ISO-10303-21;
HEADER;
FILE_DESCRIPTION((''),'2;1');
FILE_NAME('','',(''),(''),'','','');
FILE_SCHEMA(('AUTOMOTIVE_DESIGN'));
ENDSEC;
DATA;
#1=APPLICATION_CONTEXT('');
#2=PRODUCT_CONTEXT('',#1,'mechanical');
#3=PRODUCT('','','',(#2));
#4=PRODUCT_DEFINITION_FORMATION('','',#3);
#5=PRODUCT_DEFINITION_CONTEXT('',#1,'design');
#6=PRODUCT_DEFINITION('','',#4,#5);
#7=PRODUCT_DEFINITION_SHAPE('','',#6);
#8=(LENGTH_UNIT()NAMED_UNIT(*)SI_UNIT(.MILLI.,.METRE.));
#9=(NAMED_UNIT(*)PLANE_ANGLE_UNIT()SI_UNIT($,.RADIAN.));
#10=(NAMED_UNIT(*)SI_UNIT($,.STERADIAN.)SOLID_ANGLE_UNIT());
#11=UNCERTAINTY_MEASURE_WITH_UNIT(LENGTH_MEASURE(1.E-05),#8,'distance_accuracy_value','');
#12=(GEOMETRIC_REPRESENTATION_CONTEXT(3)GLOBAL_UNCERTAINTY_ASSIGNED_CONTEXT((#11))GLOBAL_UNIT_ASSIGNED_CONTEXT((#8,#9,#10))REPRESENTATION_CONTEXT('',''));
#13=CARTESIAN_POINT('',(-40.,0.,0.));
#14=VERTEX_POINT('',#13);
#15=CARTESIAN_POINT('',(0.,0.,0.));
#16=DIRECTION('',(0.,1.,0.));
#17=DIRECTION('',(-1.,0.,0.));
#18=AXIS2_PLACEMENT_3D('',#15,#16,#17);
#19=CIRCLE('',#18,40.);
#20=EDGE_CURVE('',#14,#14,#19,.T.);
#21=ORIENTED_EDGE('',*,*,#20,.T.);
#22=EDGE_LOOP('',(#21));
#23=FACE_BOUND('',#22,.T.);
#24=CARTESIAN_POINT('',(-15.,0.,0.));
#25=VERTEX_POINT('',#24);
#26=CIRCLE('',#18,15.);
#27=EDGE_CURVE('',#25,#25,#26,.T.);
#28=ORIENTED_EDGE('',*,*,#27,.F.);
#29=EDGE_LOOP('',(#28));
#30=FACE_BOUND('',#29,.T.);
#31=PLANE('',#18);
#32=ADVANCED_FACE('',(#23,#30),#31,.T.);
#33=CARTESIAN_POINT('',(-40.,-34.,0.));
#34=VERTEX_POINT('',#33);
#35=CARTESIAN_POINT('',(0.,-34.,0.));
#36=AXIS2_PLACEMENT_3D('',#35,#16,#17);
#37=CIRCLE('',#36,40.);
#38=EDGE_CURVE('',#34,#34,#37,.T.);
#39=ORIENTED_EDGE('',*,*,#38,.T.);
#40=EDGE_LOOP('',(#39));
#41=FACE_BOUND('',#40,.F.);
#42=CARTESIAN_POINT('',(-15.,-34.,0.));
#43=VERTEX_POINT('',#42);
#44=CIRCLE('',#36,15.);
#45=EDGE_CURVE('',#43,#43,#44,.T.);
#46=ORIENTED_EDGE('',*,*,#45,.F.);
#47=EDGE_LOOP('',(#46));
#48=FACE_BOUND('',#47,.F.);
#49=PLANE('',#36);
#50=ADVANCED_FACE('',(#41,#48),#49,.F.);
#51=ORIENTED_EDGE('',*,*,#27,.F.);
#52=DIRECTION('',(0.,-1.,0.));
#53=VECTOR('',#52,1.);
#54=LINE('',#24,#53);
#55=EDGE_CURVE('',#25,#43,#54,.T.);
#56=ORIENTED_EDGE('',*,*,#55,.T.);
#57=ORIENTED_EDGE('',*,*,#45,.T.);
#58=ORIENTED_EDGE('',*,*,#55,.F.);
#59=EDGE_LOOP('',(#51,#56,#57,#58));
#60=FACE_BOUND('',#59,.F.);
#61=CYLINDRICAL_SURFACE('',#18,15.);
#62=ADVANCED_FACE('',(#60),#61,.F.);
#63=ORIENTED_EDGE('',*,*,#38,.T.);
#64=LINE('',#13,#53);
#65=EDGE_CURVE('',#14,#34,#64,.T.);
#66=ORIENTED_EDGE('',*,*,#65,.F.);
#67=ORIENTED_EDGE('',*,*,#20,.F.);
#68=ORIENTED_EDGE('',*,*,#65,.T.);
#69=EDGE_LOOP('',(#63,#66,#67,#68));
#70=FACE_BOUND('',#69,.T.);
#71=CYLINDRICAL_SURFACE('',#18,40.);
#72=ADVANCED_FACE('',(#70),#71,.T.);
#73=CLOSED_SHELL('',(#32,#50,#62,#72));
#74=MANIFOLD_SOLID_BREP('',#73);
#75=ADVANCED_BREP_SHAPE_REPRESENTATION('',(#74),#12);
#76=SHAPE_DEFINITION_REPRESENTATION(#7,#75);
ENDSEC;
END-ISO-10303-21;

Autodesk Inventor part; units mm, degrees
ref_plane "YZ Plane" through (0, 0, 0) normal (1, 0, 0) x (0, 1, 0)
ref_plane "XZ Plane" through (0, 0, 0) normal (0, 1, 0) x (-1, 0, 0)
ref_plane "XY Plane" through (0, 0, 0) normal (0, 0, 1) x (1, 0, 0)
sketch "Schizzo1" plane through (0, 0, 0) normal (0, 1, 0) x (-1, 0, 0)
  circle A0 centre (0, 0) radius 15
  circle A1 centre (0, 0) radius 40
  dimension "d0" = 30
  dimension "d1" = 80
extrude "Estrusione1" add sketch "Schizzo1" against normal blind 34
sketch "Schizzo2" plane through (0, -34, 0) normal (0, -1, 0) x (1, 0, 0)
  point P0 (0, 0)
sketch "Schizzo3" plane through (0, 0, 0) normal (0, 1, 0) x (1, 0, 0)
  circle A0 centre (0, 0) radius 35
  circle A1 centre (0, 0) radius 40 projected
  line L0 (0, -40) -> (0, 0)
  line L1 (0, 0) -> (-39.8478, 3.4862)
  line L2 (0, 0) -> (39.8478, 3.4862)
  point P0 (34.8668, 3.0505)
  point P1 (-34.8668, 3.0505)
  point P2 (0, -35)
  dimension "d4" = 70
  dimension "d5" = 95
  dimension "d6" = 95
properties part number "greggio tranciato" material "Ferro, Ghisa grigia ASTM A48 Grado 20"
